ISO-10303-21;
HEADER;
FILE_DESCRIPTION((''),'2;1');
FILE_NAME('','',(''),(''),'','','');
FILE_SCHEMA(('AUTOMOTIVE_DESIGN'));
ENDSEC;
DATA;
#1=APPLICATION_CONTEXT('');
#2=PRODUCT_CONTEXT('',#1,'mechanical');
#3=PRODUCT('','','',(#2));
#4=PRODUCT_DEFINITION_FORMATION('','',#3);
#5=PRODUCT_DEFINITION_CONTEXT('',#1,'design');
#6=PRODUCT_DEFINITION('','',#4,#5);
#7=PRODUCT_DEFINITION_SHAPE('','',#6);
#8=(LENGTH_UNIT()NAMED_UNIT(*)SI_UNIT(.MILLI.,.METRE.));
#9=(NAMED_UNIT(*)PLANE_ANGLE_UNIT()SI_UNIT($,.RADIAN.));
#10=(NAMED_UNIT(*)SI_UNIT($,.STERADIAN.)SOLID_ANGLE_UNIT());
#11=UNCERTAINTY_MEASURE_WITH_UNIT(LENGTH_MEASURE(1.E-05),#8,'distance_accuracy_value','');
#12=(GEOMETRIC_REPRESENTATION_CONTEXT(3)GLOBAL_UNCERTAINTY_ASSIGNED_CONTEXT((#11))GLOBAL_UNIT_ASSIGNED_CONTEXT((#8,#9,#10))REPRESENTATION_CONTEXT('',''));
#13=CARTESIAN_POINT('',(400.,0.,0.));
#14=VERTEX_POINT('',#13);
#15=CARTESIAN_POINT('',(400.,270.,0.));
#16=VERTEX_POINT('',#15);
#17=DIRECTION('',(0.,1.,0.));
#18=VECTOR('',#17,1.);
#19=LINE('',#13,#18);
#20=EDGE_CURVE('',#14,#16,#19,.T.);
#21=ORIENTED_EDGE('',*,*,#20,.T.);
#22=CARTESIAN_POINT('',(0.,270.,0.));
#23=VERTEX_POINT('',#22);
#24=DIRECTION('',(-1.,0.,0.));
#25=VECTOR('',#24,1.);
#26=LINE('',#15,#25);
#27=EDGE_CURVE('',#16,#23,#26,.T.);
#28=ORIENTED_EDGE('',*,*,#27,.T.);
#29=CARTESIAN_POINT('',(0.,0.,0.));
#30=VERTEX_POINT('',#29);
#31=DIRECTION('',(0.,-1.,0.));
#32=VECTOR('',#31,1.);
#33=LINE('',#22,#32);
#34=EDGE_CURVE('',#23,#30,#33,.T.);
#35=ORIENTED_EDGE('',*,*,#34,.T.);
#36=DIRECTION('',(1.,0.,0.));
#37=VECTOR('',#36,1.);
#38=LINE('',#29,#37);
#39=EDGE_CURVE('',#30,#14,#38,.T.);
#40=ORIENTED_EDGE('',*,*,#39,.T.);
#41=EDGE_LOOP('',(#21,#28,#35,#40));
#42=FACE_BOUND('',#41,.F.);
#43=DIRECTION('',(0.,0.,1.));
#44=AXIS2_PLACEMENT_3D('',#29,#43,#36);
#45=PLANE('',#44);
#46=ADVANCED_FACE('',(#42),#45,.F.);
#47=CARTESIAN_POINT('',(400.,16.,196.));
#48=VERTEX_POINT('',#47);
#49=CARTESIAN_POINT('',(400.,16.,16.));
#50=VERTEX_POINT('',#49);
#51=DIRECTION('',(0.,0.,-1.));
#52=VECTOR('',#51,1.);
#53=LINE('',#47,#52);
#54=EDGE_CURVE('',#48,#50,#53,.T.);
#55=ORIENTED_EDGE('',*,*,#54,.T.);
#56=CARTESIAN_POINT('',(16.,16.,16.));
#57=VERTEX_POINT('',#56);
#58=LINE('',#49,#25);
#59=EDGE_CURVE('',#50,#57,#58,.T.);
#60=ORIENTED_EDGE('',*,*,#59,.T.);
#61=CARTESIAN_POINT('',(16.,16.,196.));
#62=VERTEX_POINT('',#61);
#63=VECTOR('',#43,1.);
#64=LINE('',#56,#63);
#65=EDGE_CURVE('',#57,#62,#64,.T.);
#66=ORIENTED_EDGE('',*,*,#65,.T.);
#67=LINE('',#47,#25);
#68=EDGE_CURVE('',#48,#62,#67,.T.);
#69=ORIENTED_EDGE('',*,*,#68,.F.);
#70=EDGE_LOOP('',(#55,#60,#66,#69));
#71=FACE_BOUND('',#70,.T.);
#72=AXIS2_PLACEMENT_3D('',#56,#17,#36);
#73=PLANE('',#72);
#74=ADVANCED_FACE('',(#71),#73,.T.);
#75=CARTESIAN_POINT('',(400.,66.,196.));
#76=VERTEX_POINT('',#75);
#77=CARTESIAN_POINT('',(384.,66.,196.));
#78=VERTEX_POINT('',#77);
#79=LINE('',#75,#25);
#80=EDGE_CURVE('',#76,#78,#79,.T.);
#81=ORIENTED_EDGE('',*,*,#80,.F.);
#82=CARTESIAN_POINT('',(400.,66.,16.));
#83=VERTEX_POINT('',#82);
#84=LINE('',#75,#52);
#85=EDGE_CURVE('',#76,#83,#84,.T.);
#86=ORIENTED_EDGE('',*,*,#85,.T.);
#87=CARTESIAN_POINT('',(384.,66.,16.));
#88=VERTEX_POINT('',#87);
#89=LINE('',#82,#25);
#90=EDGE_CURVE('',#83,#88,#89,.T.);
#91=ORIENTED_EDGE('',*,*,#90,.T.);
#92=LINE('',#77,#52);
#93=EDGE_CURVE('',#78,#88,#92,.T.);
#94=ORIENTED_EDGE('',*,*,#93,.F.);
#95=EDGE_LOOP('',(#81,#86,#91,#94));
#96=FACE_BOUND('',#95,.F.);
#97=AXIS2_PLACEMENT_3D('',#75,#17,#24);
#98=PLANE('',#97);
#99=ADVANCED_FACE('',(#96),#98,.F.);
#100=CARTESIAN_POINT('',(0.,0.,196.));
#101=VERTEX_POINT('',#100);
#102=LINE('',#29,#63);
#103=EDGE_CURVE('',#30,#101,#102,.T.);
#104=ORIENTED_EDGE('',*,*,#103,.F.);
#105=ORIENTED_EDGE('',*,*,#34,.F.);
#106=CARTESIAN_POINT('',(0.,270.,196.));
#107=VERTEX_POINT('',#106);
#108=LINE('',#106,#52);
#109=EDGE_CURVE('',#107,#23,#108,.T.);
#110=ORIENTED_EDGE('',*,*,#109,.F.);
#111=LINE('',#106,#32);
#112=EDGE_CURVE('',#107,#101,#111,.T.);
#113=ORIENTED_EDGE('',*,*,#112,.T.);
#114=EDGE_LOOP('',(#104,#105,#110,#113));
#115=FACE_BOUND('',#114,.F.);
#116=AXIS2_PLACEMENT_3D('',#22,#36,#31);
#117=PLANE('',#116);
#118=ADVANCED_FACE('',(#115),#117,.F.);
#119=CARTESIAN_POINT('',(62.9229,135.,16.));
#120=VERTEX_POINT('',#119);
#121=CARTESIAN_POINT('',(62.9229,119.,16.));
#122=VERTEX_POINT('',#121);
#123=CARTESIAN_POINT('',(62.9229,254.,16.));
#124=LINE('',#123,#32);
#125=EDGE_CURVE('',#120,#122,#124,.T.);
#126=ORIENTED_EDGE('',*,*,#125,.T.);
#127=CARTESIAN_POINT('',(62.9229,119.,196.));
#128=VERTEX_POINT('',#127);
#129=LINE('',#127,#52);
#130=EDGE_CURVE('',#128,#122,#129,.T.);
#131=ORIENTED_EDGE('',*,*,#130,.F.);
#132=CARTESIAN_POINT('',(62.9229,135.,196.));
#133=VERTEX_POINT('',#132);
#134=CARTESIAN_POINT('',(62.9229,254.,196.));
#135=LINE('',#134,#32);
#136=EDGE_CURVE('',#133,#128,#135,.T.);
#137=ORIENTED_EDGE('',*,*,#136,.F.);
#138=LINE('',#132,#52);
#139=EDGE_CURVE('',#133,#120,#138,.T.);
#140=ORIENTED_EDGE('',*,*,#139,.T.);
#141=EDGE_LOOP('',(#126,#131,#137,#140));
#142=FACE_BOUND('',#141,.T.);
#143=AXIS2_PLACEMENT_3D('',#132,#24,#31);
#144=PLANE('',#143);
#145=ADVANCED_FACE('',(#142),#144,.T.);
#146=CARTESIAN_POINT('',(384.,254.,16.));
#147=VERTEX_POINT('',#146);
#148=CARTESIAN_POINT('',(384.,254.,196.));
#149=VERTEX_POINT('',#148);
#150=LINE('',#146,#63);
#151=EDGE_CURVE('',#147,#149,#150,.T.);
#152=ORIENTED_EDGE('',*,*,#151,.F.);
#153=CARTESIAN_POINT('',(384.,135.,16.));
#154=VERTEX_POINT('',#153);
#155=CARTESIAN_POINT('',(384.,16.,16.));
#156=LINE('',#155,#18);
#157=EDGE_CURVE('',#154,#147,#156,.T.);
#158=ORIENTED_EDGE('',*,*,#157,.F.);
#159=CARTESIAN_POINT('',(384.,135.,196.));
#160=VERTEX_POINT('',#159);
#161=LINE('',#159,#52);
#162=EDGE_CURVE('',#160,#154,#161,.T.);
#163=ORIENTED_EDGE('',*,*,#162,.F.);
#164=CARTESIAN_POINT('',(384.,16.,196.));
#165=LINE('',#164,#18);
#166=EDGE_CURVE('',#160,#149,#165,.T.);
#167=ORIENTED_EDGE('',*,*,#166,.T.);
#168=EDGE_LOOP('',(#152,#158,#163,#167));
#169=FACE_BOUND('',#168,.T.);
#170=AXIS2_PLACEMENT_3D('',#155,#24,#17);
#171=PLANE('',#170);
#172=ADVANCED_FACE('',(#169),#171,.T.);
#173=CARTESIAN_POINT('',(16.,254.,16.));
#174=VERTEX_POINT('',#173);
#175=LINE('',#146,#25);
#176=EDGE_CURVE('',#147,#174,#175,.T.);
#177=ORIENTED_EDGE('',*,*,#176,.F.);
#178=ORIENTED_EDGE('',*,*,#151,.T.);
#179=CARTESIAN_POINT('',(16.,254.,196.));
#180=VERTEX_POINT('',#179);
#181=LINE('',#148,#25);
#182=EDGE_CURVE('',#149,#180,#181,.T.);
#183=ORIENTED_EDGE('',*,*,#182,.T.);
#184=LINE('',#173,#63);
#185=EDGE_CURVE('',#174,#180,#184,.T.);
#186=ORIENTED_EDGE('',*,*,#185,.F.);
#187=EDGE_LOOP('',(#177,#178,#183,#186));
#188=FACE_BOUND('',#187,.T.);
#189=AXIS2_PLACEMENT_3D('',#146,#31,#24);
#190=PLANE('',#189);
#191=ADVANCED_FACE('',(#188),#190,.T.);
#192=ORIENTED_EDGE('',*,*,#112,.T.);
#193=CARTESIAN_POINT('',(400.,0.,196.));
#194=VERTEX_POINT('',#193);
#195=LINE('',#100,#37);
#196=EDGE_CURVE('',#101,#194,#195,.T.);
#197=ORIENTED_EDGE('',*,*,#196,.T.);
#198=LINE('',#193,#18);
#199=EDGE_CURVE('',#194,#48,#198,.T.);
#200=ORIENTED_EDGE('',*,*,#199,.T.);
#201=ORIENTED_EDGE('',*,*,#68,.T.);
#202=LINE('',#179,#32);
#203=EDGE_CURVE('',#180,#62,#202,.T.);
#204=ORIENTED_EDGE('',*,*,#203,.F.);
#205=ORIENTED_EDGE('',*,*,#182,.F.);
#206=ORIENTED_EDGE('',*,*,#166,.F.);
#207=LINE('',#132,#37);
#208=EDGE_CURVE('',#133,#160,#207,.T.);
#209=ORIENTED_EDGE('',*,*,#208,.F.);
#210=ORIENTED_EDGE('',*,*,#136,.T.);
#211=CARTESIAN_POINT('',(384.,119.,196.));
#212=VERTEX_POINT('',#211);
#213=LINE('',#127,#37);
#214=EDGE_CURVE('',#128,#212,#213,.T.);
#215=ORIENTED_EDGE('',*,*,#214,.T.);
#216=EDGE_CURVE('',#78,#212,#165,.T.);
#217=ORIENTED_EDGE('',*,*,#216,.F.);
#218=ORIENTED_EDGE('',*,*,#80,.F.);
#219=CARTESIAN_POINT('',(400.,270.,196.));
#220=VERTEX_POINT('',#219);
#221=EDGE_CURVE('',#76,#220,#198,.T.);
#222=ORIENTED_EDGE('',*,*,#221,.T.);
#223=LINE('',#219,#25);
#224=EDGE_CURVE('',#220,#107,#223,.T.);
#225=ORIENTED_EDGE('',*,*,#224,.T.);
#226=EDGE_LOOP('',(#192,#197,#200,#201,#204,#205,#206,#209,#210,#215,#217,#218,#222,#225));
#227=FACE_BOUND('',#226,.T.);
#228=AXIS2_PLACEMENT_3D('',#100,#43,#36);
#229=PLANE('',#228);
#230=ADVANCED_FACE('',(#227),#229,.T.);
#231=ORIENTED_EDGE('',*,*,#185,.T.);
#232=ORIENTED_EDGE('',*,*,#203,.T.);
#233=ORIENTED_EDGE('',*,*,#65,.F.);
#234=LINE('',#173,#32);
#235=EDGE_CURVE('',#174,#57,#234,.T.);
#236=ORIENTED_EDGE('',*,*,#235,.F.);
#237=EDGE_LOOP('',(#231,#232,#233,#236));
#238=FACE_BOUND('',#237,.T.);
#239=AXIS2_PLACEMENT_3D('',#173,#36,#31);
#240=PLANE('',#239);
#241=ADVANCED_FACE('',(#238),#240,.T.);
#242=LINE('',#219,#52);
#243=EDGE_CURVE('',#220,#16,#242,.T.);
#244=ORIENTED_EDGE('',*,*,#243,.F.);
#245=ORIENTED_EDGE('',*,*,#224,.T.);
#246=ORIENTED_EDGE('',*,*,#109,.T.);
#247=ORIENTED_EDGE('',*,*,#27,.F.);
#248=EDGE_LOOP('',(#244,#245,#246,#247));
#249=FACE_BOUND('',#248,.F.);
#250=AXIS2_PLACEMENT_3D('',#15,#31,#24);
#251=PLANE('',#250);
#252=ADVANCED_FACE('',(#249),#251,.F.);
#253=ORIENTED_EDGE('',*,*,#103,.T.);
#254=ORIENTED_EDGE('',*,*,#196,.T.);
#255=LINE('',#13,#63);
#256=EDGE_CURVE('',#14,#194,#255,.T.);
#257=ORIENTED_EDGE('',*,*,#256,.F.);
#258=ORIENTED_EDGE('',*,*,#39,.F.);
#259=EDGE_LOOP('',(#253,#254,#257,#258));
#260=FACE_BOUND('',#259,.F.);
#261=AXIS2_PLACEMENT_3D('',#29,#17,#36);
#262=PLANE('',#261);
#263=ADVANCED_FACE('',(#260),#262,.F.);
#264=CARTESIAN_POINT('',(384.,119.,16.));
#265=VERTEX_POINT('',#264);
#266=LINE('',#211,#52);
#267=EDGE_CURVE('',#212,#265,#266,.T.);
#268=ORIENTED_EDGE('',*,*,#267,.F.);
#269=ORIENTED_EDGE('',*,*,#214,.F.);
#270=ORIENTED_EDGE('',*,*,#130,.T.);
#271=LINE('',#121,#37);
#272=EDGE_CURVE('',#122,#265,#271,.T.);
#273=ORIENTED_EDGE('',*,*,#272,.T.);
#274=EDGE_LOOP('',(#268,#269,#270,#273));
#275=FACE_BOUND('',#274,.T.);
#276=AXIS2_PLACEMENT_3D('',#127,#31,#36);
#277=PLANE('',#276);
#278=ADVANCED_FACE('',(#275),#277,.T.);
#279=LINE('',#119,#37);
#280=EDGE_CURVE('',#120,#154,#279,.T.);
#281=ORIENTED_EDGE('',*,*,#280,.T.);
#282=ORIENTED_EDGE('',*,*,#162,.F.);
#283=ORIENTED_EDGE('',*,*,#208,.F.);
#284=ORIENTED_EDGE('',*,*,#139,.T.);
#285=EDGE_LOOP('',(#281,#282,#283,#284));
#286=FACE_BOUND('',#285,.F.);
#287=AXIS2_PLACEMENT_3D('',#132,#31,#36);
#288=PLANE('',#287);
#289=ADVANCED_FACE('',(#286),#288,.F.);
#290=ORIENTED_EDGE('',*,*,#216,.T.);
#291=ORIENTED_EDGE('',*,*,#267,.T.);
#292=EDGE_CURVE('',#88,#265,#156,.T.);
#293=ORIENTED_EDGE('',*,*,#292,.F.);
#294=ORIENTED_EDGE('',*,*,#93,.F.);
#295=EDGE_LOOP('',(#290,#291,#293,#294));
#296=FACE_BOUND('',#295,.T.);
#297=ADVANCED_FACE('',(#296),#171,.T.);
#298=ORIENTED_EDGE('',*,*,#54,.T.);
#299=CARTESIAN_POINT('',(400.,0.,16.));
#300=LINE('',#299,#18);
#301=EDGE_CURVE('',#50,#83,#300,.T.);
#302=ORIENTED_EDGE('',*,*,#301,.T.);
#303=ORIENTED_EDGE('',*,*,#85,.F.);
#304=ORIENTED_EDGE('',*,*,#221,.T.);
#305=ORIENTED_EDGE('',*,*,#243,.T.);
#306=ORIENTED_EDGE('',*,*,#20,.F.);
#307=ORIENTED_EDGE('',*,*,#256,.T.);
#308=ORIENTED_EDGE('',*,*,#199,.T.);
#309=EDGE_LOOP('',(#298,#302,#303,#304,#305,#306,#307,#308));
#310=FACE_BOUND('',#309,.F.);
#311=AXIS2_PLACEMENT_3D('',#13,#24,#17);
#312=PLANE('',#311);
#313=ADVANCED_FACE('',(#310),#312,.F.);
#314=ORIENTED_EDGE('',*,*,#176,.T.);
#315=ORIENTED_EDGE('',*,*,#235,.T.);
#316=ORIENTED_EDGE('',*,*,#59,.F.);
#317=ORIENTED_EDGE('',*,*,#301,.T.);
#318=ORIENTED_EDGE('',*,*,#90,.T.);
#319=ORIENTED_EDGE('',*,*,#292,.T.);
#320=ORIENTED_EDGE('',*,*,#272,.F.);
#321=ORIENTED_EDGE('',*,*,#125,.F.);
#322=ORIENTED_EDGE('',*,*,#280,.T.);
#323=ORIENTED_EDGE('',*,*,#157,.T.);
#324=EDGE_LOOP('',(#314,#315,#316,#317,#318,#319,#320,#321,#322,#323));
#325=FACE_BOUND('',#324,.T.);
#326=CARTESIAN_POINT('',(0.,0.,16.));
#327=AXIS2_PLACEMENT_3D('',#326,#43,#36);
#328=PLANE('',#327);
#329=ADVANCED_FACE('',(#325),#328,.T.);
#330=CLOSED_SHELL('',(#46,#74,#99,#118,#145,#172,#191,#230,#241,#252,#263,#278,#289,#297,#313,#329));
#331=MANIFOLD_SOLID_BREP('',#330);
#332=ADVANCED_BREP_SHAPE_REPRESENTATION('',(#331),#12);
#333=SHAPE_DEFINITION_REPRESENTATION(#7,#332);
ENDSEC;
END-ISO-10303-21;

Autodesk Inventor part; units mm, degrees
ref_plane "YZ Plane" through (0, 0, 0) normal (1, 0, 0) x (0, 1, 0)
ref_plane "XZ Plane" through (0, 0, 0) normal (0, 1, 0) x (-1, 0, 0)
ref_plane "XY Plane" through (0, 0, 0) normal (0, 0, 1) x (1, 0, 0)
sketch "Sketch1" plane through (0, 0, 0) normal (0, 0, 1) x (1, 0, 0)
  line L0 (0, 0) -> (400, 0)
  line L1 (400, 0) -> (400, 270)
  line L2 (400, 270) -> (0, 270)
  line L3 (0, 270) -> (0, 0)
  dimension "d0" = 400
  dimension "d1" = 270
extrude "Extrusion1" add sketch "Sketch1" along normal blind 16
sketch "Sketch2" plane through (0, 0, 16) normal (0, 0, 1) x (1, 0, 0)
  line L0 (0, 0) -> (400, 0) projected
  line L1 (400, 0) -> (400, 270) projected
  line L2 (400, 270) -> (0, 270) projected
  line L3 (0, 270) -> (0, 0) projected
  line L4 (16, 16) -> (384, 16)
  line L5 (384, 16) -> (384, 254)
  line L6 (384, 254) -> (16, 254)
  line L7 (16, 254) -> (16, 16)
  dimension "d4" = 16
  dimension "d5" = 16
  dimension "d6" = 16
  dimension "d7" = 16
extrude "Extrusion2" add sketch "Sketch2" along normal blind 180
sketch "Sketch3" plane through (0, 0, 196) normal (0, 0, 1) x (1, 0, 0)
  line L0 (16, 254) -> (16, 16) projected
  line L1 (16, 16) -> (384, 16) projected
  line L2 (384, 16) -> (384, 254) projected
  line L3 (384, 254) -> (16, 254) projected
  line L4 (384, 254) -> (384, 16) projected
  line L5 (400, 0) -> (400, 270) projected
  line L6 (384, 16) -> (400, 16)
  line L7 (400, 16) -> (400, 66)
  line L8 (400, 66) -> (384, 66)
  line L9 (384, 66) -> (384, 16)
  point P0 (0, 0)
  dimension "d10" = 50
extrude "Extrusion3" cut sketch "Sketch3" against normal blind 180 contours L2 L8 L5 L6
sketch "Sketch4" plane through (0, 0, 196) normal (0, 0, 1) x (1, 0, 0)
  line L0 (16, 254) -> (16, 16) projected
  line L1 (400, 16) -> (16, 16) projected
  line L2 (400, 66) -> (400, 16) projected
  line L3 (384, 66) -> (400, 66) projected
  line L4 (384, 66) -> (384, 254) projected
  line L5 (384, 254) -> (16, 254) projected
  line L6 (384, 66) -> (400, 66) projected
  line L7 (400, 66) -> (400, 270) projected
  line L8 (400, 270) -> (0, 270) projected
  line L9 (0, 270) -> (0, 0) projected
  line L10 (0, 0) -> (400, 0) projected
  line L11 (400, 0) -> (400, 16) projected
  line L12 (400, 16) -> (16, 16) projected
  line L13 (16, 16) -> (16, 254) projected
  line L14 (16, 254) -> (384, 254) projected
  line L15 (384, 254) -> (384, 66) projected
  line L16 (384, 254) -> (384, 66) projected
  line L17 (384, 254) -> (62.9229, 254)
  line L18 (62.9229, 254) -> (62.9229, 119)
  line L19 (62.9229, 119) -> (384, 119)
  line L20 (384, 119) -> (384, 254)
  line L21 (384, 254) -> (16, 254) projected
  line L22 (384, 254) -> (62.9229, 254)
  line L23 (62.9229, 254) -> (62.9229, 135)
  line L24 (62.9229, 135) -> (384, 135)
  line L25 (384, 135) -> (384, 254)
  dimension "d13" = 135
  dimension "d14" = 16
extrude "Extrusion4" add sketch "Sketch4" against normal blind 180 contours L24 L4 L19 L18
properties part number "box"
